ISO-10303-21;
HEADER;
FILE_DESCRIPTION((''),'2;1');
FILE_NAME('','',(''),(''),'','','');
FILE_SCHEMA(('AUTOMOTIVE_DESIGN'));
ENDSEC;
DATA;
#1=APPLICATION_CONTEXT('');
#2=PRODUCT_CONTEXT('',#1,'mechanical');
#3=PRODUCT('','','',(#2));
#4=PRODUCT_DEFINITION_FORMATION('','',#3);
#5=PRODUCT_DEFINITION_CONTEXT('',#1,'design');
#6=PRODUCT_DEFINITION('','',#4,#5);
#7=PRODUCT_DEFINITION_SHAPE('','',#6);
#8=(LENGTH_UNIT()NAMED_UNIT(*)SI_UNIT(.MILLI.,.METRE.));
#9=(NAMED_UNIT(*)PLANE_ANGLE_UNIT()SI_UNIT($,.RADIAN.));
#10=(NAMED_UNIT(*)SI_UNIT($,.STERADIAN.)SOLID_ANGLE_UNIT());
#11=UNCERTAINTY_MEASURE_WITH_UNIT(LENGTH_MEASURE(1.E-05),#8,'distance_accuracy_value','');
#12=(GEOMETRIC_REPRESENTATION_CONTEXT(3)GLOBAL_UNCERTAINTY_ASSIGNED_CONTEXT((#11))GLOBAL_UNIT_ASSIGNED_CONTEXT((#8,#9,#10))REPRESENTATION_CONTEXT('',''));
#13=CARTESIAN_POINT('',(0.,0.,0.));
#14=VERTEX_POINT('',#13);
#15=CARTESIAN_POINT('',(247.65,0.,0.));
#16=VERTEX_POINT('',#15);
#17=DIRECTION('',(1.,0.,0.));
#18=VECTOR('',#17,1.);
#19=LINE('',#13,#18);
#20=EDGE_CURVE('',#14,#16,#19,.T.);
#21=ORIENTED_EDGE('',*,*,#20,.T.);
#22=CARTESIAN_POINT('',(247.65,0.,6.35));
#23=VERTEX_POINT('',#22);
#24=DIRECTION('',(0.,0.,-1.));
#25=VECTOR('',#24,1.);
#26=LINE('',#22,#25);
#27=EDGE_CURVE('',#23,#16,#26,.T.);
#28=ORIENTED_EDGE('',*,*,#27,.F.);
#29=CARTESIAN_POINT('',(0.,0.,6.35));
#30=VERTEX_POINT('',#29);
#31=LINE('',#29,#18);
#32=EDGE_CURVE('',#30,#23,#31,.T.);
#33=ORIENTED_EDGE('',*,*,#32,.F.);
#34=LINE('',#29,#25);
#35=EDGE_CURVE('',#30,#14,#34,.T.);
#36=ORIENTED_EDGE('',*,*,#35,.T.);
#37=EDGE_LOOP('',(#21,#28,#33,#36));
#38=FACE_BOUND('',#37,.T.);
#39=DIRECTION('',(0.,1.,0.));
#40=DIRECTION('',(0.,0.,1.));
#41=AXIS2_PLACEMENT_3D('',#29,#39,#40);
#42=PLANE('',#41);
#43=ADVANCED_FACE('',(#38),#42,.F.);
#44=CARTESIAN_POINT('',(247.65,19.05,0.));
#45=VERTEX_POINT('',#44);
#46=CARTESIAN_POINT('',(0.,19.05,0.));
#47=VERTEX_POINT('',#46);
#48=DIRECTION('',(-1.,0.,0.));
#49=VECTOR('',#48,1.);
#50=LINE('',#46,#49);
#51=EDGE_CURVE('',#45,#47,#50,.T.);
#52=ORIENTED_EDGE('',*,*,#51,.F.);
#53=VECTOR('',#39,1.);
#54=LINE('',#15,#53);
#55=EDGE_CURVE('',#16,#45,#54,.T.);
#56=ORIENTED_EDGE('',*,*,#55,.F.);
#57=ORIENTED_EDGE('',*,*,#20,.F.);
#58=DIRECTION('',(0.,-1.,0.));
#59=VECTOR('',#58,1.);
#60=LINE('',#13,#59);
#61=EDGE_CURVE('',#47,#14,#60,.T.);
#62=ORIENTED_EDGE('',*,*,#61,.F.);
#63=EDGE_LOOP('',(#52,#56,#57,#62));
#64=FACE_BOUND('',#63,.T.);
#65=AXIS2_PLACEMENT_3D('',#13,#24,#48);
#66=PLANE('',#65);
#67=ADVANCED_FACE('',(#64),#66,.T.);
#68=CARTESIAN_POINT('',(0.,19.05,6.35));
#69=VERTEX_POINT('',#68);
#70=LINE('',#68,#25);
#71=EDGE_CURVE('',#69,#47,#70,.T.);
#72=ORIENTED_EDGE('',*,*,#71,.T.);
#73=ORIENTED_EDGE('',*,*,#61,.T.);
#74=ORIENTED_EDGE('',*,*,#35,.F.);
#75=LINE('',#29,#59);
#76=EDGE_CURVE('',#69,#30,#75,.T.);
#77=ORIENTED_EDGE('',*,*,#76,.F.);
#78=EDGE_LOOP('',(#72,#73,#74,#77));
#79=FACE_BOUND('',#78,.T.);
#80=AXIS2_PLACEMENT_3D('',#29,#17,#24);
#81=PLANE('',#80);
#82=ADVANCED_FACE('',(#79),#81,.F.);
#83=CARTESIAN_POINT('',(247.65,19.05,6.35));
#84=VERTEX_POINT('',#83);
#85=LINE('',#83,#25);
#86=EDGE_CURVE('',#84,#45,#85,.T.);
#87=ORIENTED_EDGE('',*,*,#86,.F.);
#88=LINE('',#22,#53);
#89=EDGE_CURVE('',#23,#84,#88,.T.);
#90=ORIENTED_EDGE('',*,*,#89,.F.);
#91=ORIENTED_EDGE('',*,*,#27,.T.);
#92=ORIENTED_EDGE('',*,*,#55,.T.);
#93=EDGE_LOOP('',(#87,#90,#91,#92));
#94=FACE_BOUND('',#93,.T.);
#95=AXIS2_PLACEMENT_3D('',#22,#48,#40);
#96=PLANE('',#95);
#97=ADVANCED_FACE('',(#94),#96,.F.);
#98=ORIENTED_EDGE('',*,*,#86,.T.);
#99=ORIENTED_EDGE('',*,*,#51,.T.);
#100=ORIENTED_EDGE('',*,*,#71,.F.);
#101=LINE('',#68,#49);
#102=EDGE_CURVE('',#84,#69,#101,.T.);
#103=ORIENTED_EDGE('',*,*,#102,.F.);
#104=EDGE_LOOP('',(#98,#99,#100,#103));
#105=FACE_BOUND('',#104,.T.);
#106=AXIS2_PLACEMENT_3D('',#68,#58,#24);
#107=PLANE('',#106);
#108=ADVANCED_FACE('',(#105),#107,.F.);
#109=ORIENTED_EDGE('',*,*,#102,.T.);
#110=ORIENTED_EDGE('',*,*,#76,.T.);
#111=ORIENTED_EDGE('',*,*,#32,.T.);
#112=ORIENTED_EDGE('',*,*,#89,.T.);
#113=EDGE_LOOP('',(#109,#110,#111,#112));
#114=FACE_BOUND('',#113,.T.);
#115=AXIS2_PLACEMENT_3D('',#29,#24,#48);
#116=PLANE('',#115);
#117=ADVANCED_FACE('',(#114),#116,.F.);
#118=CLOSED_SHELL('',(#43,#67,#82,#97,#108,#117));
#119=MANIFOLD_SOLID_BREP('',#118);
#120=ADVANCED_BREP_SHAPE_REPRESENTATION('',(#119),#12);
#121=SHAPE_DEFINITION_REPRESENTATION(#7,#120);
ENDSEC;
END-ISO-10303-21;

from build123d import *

# Parameters (mm, degrees)
SKETCH2_W           = 247.65
SKETCH2_H           = 19.05
BOSS_EXTRUDE1_DEPTH = 6.35


with BuildPart() as part:
    # Sketch2 → Boss-Extrude1 (new body)
    with BuildSketch(Plane.XY):
        with Locations((123.825, 9.525)):
            Rectangle(SKETCH2_W, SKETCH2_H)
    extrude(amount=BOSS_EXTRUDE1_DEPTH)


solid = part.part
